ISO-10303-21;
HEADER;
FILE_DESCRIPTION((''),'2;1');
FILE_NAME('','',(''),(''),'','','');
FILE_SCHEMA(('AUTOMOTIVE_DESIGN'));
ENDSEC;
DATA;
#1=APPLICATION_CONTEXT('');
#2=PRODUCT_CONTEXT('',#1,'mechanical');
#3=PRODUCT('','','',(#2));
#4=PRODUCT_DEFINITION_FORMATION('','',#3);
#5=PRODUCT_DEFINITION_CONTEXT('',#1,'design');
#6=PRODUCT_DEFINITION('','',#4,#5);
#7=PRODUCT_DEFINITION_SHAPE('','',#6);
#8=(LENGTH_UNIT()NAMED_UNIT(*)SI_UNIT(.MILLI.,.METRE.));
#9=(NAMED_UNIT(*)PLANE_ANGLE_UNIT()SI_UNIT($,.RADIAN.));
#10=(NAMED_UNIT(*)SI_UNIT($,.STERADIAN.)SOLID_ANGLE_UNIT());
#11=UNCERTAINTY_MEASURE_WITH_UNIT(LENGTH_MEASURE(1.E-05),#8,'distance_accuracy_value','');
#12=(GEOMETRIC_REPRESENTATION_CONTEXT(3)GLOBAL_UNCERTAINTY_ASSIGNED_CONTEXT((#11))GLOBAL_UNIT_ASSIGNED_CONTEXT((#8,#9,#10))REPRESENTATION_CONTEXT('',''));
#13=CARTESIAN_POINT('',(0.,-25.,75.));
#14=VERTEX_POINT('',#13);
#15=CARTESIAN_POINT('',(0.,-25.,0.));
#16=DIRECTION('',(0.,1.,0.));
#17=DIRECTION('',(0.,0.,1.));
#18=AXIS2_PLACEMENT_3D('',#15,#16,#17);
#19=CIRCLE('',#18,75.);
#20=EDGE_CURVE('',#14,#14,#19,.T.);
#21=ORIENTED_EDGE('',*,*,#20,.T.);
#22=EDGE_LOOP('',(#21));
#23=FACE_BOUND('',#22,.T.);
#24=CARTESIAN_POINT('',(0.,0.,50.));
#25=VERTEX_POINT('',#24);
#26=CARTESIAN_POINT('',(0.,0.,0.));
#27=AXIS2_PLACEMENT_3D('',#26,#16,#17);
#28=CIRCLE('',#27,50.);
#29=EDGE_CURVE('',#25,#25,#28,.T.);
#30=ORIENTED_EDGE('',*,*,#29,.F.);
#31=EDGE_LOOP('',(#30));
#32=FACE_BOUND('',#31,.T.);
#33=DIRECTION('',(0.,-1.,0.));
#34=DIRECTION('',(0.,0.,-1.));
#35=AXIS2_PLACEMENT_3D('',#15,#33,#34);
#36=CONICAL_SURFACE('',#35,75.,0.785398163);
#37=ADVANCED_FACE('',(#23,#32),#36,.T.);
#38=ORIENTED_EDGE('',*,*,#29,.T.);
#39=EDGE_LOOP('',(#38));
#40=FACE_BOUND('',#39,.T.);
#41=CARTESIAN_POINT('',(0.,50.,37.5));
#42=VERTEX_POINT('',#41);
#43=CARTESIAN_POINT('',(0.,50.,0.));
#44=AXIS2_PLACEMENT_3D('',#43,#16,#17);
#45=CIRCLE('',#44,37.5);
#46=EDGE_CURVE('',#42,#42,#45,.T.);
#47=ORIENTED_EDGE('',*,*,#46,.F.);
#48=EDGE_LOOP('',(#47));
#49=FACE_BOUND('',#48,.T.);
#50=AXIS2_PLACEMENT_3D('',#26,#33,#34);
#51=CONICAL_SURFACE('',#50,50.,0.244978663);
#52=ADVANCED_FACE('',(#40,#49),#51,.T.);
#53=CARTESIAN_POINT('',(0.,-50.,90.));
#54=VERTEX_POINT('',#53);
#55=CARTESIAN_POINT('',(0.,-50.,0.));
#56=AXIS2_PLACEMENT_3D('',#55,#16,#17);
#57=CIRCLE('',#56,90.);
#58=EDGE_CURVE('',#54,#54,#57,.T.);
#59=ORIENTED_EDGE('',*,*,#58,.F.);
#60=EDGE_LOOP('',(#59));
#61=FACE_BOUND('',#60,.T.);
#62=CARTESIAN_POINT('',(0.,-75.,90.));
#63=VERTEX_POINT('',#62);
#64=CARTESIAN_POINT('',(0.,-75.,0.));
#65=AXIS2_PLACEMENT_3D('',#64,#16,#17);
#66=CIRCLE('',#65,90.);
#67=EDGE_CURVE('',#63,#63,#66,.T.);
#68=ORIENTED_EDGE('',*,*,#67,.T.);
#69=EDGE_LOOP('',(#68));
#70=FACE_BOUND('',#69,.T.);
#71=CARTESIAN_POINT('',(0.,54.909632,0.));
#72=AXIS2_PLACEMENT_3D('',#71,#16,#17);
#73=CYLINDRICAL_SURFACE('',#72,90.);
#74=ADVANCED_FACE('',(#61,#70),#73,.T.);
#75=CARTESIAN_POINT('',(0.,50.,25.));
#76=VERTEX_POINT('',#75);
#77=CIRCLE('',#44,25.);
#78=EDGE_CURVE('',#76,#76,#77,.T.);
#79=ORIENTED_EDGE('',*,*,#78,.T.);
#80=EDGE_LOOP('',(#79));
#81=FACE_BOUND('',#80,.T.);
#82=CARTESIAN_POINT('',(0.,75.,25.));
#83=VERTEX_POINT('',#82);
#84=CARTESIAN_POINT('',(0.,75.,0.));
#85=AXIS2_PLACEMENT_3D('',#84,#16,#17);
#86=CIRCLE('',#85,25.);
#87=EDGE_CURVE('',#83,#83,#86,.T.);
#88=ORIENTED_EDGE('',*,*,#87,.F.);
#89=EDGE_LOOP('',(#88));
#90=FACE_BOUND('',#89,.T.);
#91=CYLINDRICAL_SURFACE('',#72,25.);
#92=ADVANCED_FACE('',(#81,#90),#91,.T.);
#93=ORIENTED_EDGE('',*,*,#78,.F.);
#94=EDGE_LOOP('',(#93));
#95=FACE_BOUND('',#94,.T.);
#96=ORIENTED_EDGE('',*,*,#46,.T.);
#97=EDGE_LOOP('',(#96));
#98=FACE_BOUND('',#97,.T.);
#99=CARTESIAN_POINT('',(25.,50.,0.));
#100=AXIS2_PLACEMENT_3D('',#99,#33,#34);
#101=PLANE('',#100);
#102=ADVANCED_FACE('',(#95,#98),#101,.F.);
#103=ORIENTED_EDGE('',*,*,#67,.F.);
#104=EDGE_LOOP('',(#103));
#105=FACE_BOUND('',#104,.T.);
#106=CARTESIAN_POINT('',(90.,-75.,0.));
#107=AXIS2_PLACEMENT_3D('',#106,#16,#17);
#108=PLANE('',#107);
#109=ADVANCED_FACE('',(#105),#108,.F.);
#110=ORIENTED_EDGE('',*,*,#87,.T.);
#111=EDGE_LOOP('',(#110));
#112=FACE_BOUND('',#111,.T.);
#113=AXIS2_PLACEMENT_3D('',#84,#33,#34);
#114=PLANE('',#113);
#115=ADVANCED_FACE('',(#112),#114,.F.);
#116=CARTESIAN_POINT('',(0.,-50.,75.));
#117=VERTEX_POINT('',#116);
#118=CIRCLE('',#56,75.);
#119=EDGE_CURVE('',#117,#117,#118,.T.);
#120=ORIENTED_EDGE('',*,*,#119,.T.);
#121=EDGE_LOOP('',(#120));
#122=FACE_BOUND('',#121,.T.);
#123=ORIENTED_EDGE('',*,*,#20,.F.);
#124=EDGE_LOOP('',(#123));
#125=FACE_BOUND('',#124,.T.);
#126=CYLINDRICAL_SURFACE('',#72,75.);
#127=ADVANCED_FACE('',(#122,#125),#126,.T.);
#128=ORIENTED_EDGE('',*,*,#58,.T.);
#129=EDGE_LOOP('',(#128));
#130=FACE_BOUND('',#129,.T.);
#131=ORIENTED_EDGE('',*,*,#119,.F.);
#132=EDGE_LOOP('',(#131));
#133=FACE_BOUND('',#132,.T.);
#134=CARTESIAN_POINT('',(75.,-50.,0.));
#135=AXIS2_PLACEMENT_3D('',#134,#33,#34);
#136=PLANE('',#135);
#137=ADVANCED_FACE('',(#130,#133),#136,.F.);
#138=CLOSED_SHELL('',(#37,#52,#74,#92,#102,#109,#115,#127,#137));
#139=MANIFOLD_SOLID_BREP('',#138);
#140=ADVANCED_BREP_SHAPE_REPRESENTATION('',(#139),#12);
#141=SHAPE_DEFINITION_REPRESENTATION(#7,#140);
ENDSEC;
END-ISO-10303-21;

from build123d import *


with BuildPart() as part:
    # Esboço1 → Revolução1 (revolve)
    with BuildSketch(Plane.XY, mode=Mode.PRIVATE) as revolu_o1_sk:
        Polygon((0, 75), (25, 75), (25, 50), (37.5, 50), (50, 0), (75, -25), (75, -50), (90, -50), (90, -75), (0, -75), align=None)
    revolve(revolu_o1_sk.sketch.rotate(Axis((0, 54.909632035, 0), (0, -1, 0)), 90), axis=Axis((0, 54.909632035, 0), (0, -1, 0)))  # turned: the seam where the file's is


solid = part.part
